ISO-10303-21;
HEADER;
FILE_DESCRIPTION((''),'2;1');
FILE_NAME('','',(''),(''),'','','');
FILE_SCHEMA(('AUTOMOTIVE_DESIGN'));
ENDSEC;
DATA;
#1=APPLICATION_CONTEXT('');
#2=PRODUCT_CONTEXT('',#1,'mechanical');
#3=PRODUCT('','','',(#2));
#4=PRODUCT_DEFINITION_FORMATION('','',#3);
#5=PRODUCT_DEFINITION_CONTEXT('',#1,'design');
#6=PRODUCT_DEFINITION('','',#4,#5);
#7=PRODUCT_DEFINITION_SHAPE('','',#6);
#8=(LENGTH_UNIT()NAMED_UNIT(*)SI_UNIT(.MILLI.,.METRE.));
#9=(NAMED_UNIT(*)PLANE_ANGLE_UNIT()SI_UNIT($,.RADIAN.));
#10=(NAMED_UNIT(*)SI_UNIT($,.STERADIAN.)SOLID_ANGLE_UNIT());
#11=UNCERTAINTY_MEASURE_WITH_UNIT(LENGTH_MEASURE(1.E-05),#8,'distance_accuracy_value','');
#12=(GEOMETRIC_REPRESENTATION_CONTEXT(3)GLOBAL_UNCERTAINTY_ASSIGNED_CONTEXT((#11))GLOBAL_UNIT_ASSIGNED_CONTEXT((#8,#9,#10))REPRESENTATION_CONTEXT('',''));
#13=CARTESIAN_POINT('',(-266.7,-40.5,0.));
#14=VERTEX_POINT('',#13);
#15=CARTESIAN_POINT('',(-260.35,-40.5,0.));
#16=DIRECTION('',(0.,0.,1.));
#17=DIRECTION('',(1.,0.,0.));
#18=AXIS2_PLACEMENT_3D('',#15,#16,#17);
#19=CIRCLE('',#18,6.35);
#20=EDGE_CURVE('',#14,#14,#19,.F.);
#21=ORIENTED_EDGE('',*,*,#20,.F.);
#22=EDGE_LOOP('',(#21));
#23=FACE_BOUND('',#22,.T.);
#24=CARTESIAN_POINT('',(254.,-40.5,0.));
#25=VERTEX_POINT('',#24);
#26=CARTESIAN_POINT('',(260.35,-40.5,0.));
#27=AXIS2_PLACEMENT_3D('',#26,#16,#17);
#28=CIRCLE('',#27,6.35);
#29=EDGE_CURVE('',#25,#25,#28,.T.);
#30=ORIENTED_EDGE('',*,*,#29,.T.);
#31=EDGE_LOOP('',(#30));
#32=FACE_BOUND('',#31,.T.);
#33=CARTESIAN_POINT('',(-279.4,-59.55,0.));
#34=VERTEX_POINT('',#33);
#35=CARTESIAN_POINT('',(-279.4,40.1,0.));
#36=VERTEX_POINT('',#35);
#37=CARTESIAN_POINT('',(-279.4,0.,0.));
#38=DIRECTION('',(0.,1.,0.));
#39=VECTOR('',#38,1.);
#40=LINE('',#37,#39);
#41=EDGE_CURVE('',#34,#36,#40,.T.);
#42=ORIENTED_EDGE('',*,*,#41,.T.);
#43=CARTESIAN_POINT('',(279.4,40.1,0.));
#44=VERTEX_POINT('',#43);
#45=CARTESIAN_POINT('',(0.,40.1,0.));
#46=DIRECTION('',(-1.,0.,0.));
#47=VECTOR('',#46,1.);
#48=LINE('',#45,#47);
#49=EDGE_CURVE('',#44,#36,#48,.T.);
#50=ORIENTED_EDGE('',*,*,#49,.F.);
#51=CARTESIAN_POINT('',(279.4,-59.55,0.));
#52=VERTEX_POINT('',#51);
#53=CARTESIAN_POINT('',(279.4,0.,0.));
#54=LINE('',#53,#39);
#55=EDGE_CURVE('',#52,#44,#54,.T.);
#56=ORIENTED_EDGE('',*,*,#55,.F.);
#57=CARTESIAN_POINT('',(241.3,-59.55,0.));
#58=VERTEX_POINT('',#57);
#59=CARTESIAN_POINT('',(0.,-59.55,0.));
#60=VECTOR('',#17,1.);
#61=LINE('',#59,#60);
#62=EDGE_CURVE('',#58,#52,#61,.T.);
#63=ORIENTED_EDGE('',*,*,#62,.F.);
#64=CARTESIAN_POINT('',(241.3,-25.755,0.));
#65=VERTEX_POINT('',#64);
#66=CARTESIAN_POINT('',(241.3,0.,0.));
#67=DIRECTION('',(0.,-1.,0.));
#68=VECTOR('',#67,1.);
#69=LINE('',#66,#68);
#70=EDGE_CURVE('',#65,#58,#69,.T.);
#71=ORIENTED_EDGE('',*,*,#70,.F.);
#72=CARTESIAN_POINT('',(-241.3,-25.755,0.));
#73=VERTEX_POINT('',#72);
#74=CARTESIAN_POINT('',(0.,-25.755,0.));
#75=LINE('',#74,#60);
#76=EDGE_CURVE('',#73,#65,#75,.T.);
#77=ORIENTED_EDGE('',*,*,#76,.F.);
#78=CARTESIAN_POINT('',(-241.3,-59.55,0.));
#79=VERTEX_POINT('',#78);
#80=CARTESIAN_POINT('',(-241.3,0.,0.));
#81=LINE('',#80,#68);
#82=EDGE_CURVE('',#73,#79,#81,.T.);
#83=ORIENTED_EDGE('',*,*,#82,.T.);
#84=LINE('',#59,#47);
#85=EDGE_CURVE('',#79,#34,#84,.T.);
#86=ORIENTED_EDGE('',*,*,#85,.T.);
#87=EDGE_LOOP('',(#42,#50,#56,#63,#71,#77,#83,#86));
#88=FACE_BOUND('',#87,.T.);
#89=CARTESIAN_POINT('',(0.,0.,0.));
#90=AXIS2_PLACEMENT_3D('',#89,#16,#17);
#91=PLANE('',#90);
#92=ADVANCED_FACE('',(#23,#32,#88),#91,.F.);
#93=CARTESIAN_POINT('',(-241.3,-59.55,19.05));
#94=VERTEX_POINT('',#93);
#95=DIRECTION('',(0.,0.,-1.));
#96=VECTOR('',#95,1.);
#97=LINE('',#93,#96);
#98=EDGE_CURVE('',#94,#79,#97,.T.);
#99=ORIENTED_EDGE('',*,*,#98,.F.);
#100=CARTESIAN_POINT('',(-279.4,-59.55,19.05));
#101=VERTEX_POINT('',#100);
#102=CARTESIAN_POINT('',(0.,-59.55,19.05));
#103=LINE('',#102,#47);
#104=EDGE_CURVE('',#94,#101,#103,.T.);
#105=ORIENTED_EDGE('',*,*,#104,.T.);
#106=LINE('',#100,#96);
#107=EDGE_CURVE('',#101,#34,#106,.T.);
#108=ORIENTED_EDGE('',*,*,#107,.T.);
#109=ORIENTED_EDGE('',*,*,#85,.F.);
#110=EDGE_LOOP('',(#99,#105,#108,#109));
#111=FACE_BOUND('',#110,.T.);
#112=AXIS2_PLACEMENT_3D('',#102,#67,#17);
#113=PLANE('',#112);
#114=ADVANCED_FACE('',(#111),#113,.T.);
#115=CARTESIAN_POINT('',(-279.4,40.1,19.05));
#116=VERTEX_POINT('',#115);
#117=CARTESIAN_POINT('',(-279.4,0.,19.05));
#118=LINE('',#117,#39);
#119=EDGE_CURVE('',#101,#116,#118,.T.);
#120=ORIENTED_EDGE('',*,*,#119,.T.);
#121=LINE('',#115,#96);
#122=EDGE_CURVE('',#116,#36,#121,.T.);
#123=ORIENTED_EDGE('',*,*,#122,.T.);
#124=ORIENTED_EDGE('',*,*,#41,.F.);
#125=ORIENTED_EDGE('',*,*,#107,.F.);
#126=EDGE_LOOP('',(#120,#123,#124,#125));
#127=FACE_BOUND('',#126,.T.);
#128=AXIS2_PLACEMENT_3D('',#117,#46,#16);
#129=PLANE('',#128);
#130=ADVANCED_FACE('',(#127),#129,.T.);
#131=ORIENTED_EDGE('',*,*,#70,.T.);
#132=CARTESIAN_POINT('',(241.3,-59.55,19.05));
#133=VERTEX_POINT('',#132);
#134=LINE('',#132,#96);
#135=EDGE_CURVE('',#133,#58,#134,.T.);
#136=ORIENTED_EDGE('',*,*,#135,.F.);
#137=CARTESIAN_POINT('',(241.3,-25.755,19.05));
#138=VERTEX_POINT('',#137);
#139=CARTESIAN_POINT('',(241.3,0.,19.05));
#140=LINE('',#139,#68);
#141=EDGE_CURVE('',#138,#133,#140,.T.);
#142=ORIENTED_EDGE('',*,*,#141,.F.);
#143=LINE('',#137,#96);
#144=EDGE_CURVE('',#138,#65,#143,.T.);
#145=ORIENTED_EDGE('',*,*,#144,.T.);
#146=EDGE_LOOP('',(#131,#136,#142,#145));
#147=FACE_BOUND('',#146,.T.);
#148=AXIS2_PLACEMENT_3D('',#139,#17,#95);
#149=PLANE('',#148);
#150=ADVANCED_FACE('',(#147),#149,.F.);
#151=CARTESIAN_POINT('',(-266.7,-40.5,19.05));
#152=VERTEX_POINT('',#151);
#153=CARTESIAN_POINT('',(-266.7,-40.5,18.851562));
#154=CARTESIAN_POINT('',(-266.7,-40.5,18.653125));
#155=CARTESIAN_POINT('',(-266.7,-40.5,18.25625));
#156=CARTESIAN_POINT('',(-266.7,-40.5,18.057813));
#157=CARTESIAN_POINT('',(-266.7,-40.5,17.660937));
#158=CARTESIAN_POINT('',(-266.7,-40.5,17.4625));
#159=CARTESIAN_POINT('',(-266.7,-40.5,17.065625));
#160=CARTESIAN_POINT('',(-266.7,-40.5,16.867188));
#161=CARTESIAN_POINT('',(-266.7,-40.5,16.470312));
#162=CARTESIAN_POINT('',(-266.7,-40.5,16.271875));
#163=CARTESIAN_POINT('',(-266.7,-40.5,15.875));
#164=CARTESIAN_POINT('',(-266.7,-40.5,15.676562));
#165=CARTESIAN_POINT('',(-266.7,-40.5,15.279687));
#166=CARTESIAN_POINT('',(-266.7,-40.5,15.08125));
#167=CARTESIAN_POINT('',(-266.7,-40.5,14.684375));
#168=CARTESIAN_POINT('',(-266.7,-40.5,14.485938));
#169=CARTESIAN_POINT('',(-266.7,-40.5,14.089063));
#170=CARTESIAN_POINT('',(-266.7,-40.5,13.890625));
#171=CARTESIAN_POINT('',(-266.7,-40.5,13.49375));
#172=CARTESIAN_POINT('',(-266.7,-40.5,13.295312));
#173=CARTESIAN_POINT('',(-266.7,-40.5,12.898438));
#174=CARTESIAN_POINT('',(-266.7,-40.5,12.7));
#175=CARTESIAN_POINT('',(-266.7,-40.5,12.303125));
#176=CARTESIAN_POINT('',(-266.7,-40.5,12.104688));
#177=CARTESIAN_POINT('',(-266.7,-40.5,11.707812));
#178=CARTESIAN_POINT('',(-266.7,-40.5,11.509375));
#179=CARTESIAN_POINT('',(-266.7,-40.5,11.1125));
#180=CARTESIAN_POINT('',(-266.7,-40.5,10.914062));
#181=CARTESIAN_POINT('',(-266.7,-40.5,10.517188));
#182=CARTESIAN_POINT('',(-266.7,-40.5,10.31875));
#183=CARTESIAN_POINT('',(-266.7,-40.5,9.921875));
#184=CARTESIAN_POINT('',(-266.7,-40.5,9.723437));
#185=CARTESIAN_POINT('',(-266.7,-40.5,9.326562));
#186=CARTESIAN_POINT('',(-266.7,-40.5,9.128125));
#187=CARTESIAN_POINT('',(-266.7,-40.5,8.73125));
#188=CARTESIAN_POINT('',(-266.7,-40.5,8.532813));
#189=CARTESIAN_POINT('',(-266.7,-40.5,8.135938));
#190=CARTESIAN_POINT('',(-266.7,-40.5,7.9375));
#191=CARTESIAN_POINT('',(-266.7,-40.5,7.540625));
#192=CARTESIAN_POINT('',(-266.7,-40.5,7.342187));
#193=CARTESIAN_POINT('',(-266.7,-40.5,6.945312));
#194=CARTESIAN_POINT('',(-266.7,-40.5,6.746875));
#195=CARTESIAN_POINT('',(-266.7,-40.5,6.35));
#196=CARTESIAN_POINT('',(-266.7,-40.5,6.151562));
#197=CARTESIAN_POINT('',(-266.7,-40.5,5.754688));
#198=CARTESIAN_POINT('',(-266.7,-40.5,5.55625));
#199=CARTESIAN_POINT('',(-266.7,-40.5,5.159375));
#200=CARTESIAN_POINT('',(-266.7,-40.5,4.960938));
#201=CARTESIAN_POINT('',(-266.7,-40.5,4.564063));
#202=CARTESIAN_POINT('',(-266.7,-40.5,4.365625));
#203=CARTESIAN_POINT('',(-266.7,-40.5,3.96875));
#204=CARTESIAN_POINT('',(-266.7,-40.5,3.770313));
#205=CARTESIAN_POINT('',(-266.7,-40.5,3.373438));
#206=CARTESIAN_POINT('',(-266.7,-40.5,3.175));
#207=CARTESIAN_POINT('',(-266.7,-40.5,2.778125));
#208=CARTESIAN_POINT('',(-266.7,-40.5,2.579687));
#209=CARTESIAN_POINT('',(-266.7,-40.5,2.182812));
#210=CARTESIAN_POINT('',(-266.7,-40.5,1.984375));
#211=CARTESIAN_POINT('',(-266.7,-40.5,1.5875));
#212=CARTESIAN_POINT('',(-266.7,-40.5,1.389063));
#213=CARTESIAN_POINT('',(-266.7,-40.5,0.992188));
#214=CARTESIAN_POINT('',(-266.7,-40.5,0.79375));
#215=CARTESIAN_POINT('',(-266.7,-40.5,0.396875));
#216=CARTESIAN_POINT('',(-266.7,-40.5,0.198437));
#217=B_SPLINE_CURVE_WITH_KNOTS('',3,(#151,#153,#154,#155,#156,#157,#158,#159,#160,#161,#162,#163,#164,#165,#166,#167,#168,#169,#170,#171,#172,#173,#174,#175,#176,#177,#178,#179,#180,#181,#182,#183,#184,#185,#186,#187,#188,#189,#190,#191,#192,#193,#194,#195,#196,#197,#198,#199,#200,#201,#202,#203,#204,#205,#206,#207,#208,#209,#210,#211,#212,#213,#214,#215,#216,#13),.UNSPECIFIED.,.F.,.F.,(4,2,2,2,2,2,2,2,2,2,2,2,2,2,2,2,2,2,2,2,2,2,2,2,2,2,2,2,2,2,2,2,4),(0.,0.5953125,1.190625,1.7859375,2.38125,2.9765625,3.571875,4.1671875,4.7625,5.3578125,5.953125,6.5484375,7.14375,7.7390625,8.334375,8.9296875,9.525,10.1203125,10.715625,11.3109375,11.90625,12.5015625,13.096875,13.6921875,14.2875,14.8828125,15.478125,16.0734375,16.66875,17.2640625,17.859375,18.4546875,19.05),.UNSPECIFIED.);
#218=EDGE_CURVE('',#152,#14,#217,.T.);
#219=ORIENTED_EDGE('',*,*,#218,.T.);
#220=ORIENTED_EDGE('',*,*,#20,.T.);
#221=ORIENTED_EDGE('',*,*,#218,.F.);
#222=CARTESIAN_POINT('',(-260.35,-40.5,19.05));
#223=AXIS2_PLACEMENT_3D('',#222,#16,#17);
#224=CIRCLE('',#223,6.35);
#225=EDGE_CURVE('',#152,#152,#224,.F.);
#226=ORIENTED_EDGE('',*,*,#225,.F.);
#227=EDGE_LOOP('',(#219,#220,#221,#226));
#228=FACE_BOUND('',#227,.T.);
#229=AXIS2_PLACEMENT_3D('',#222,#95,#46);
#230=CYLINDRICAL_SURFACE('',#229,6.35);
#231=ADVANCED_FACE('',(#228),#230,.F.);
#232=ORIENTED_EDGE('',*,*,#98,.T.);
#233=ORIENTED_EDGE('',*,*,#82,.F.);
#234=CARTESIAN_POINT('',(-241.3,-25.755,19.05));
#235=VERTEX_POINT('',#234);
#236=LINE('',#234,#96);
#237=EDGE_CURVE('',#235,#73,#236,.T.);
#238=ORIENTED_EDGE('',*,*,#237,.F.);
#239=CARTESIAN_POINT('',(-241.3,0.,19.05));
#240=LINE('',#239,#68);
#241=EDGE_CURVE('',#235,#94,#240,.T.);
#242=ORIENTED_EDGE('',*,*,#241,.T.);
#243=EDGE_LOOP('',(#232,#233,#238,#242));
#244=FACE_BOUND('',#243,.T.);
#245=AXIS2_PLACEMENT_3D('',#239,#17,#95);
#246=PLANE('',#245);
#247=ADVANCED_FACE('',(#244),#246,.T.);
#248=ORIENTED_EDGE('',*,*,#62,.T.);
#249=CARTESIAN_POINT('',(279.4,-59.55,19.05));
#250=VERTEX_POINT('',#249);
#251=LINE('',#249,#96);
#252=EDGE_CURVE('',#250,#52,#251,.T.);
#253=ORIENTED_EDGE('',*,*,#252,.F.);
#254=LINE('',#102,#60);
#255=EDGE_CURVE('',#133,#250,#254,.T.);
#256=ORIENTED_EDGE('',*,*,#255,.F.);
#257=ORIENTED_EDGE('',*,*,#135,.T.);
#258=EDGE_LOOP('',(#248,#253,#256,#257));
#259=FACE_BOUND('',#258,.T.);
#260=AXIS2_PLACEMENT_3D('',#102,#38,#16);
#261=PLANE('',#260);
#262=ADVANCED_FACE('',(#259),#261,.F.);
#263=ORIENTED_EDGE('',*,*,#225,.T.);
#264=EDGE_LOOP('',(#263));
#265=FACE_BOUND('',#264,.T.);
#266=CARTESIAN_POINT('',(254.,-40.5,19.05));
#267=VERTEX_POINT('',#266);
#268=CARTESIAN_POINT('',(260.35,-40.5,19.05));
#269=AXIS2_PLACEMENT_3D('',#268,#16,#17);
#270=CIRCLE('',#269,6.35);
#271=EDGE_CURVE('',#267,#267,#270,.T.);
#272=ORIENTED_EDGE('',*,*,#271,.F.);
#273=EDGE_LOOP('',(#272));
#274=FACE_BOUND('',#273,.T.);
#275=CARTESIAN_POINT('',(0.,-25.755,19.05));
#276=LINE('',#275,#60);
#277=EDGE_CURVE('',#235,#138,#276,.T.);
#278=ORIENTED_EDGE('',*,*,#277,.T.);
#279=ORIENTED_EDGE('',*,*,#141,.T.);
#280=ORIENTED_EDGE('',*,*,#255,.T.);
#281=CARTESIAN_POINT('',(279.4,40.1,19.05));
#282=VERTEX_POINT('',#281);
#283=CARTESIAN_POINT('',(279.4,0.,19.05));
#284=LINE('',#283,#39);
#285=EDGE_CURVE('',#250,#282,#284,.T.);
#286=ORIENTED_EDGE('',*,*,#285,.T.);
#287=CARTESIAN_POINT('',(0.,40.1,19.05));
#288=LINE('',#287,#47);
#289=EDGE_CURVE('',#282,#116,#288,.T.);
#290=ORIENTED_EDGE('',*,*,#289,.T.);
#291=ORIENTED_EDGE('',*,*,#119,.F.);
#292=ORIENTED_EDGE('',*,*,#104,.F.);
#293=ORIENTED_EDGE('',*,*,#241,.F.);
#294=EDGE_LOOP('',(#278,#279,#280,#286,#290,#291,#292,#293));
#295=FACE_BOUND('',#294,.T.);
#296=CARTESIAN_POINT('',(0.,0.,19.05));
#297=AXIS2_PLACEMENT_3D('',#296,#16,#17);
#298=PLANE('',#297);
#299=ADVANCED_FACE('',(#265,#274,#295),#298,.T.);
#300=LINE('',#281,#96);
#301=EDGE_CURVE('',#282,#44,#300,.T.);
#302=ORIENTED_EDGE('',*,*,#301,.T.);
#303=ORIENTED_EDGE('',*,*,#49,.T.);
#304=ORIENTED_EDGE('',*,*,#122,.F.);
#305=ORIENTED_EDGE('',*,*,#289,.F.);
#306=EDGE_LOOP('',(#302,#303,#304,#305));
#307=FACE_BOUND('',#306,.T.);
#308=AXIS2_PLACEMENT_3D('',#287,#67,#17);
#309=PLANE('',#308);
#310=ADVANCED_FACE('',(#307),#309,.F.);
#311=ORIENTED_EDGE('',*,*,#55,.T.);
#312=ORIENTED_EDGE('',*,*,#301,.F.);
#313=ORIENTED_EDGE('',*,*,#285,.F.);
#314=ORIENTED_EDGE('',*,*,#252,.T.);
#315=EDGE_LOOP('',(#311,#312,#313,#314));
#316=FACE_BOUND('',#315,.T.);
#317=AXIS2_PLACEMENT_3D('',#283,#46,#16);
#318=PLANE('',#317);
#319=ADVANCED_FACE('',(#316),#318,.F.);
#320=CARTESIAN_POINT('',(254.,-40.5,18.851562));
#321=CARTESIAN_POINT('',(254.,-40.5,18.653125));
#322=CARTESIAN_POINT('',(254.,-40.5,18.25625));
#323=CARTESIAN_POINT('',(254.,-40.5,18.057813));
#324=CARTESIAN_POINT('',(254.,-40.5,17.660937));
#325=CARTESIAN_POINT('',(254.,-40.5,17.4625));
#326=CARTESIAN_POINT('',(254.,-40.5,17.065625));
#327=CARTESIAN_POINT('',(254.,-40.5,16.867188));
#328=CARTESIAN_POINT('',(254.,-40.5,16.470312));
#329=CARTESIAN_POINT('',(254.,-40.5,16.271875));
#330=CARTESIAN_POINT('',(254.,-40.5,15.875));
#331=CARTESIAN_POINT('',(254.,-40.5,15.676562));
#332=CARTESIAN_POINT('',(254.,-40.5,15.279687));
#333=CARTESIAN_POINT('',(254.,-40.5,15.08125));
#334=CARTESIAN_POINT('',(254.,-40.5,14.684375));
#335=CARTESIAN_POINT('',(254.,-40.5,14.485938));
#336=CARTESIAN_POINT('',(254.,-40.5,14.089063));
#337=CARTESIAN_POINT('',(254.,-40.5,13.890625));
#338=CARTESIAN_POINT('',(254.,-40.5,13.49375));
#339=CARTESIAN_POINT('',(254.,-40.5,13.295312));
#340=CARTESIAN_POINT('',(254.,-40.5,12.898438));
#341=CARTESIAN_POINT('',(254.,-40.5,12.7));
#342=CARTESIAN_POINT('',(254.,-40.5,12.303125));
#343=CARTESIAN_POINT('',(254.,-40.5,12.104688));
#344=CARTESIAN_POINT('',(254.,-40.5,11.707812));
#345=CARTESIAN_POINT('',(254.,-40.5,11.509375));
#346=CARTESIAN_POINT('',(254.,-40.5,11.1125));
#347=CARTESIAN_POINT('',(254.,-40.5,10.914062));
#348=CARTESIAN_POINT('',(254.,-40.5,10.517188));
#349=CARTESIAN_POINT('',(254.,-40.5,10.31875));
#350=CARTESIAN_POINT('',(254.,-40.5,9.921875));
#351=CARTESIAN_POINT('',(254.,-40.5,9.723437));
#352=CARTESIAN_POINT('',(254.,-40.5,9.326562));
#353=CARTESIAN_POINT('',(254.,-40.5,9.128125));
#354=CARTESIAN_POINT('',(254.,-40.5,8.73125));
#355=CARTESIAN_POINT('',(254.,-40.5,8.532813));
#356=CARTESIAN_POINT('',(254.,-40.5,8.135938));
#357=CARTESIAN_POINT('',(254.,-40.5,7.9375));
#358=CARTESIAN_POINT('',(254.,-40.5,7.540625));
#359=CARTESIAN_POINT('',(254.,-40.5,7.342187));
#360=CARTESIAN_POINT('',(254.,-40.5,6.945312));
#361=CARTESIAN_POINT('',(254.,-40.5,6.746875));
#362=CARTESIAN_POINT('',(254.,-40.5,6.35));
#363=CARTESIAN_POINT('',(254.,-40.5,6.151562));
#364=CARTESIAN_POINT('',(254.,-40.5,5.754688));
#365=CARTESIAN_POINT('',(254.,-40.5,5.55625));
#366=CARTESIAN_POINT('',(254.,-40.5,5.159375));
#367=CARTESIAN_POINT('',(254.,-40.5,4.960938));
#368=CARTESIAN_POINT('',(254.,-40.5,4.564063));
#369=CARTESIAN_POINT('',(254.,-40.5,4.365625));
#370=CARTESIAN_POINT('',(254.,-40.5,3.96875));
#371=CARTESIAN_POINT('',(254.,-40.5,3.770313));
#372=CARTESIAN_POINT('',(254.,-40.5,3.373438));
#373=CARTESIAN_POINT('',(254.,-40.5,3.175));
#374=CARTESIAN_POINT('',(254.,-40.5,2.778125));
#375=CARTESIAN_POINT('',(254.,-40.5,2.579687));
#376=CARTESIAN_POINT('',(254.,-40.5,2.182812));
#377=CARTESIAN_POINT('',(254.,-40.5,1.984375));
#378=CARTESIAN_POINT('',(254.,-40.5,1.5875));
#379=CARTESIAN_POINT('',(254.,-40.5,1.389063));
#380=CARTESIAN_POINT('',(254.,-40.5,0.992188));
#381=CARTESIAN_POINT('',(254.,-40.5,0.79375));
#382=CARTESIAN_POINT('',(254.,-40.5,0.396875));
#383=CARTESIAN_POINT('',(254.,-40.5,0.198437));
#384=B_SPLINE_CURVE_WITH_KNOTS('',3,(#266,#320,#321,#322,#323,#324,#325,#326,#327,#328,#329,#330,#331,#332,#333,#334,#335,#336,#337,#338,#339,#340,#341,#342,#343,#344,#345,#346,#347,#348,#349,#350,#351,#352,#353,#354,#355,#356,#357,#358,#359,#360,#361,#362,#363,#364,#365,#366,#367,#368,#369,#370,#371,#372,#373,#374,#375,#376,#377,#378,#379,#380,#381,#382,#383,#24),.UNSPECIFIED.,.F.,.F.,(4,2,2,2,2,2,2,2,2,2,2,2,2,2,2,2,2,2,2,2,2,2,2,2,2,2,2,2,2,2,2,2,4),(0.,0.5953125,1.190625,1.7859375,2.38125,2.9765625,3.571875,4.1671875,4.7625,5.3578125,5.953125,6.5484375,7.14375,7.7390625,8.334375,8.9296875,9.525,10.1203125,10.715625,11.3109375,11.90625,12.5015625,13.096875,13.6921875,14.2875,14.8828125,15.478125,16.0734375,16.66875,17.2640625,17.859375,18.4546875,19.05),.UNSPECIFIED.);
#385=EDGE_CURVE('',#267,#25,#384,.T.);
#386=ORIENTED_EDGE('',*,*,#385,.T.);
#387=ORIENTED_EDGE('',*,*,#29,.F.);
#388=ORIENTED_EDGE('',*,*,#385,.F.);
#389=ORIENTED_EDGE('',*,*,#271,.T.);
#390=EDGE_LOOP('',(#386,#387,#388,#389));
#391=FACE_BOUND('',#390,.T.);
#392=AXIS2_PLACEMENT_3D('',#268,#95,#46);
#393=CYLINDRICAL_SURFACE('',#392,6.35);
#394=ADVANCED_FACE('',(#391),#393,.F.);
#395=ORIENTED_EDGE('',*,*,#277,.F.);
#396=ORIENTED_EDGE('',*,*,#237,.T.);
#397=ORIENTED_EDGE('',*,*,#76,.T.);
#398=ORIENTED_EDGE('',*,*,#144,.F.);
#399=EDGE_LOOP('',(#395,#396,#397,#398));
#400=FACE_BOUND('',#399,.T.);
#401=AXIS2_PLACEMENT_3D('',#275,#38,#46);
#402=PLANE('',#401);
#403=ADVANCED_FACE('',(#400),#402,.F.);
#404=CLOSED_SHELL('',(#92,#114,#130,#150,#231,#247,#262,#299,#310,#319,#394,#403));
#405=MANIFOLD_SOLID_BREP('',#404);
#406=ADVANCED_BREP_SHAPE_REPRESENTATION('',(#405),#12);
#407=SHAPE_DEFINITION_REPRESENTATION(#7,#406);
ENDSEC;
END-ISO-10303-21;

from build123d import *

# Parameters (mm, degrees)
SKETCH1_R           = 6.35
BOSS_EXTRUDE1_DEPTH = 19.05


with BuildPart() as part:
    # Sketch1 → Boss-Extrude1 (new body)
    with BuildSketch(Plane.XY):
        Polygon((-241.3, -25.755), (-241.3, -59.55), (-279.4, -59.55), (-279.4, 40.1), (279.4, 40.1), (279.4, -59.55), (241.3, -59.55), (241.3, -25.755), align=None)
        with Locations(Location((260.35, -40.5, 0), (0, 0, 180))):
            Circle(SKETCH1_R, mode=Mode.SUBTRACT)
        with Locations(Location((-260.35, -40.5, 0), (0, 0, 180))):
            Circle(SKETCH1_R, mode=Mode.SUBTRACT)
    extrude(amount=BOSS_EXTRUDE1_DEPTH)


solid = part.part
